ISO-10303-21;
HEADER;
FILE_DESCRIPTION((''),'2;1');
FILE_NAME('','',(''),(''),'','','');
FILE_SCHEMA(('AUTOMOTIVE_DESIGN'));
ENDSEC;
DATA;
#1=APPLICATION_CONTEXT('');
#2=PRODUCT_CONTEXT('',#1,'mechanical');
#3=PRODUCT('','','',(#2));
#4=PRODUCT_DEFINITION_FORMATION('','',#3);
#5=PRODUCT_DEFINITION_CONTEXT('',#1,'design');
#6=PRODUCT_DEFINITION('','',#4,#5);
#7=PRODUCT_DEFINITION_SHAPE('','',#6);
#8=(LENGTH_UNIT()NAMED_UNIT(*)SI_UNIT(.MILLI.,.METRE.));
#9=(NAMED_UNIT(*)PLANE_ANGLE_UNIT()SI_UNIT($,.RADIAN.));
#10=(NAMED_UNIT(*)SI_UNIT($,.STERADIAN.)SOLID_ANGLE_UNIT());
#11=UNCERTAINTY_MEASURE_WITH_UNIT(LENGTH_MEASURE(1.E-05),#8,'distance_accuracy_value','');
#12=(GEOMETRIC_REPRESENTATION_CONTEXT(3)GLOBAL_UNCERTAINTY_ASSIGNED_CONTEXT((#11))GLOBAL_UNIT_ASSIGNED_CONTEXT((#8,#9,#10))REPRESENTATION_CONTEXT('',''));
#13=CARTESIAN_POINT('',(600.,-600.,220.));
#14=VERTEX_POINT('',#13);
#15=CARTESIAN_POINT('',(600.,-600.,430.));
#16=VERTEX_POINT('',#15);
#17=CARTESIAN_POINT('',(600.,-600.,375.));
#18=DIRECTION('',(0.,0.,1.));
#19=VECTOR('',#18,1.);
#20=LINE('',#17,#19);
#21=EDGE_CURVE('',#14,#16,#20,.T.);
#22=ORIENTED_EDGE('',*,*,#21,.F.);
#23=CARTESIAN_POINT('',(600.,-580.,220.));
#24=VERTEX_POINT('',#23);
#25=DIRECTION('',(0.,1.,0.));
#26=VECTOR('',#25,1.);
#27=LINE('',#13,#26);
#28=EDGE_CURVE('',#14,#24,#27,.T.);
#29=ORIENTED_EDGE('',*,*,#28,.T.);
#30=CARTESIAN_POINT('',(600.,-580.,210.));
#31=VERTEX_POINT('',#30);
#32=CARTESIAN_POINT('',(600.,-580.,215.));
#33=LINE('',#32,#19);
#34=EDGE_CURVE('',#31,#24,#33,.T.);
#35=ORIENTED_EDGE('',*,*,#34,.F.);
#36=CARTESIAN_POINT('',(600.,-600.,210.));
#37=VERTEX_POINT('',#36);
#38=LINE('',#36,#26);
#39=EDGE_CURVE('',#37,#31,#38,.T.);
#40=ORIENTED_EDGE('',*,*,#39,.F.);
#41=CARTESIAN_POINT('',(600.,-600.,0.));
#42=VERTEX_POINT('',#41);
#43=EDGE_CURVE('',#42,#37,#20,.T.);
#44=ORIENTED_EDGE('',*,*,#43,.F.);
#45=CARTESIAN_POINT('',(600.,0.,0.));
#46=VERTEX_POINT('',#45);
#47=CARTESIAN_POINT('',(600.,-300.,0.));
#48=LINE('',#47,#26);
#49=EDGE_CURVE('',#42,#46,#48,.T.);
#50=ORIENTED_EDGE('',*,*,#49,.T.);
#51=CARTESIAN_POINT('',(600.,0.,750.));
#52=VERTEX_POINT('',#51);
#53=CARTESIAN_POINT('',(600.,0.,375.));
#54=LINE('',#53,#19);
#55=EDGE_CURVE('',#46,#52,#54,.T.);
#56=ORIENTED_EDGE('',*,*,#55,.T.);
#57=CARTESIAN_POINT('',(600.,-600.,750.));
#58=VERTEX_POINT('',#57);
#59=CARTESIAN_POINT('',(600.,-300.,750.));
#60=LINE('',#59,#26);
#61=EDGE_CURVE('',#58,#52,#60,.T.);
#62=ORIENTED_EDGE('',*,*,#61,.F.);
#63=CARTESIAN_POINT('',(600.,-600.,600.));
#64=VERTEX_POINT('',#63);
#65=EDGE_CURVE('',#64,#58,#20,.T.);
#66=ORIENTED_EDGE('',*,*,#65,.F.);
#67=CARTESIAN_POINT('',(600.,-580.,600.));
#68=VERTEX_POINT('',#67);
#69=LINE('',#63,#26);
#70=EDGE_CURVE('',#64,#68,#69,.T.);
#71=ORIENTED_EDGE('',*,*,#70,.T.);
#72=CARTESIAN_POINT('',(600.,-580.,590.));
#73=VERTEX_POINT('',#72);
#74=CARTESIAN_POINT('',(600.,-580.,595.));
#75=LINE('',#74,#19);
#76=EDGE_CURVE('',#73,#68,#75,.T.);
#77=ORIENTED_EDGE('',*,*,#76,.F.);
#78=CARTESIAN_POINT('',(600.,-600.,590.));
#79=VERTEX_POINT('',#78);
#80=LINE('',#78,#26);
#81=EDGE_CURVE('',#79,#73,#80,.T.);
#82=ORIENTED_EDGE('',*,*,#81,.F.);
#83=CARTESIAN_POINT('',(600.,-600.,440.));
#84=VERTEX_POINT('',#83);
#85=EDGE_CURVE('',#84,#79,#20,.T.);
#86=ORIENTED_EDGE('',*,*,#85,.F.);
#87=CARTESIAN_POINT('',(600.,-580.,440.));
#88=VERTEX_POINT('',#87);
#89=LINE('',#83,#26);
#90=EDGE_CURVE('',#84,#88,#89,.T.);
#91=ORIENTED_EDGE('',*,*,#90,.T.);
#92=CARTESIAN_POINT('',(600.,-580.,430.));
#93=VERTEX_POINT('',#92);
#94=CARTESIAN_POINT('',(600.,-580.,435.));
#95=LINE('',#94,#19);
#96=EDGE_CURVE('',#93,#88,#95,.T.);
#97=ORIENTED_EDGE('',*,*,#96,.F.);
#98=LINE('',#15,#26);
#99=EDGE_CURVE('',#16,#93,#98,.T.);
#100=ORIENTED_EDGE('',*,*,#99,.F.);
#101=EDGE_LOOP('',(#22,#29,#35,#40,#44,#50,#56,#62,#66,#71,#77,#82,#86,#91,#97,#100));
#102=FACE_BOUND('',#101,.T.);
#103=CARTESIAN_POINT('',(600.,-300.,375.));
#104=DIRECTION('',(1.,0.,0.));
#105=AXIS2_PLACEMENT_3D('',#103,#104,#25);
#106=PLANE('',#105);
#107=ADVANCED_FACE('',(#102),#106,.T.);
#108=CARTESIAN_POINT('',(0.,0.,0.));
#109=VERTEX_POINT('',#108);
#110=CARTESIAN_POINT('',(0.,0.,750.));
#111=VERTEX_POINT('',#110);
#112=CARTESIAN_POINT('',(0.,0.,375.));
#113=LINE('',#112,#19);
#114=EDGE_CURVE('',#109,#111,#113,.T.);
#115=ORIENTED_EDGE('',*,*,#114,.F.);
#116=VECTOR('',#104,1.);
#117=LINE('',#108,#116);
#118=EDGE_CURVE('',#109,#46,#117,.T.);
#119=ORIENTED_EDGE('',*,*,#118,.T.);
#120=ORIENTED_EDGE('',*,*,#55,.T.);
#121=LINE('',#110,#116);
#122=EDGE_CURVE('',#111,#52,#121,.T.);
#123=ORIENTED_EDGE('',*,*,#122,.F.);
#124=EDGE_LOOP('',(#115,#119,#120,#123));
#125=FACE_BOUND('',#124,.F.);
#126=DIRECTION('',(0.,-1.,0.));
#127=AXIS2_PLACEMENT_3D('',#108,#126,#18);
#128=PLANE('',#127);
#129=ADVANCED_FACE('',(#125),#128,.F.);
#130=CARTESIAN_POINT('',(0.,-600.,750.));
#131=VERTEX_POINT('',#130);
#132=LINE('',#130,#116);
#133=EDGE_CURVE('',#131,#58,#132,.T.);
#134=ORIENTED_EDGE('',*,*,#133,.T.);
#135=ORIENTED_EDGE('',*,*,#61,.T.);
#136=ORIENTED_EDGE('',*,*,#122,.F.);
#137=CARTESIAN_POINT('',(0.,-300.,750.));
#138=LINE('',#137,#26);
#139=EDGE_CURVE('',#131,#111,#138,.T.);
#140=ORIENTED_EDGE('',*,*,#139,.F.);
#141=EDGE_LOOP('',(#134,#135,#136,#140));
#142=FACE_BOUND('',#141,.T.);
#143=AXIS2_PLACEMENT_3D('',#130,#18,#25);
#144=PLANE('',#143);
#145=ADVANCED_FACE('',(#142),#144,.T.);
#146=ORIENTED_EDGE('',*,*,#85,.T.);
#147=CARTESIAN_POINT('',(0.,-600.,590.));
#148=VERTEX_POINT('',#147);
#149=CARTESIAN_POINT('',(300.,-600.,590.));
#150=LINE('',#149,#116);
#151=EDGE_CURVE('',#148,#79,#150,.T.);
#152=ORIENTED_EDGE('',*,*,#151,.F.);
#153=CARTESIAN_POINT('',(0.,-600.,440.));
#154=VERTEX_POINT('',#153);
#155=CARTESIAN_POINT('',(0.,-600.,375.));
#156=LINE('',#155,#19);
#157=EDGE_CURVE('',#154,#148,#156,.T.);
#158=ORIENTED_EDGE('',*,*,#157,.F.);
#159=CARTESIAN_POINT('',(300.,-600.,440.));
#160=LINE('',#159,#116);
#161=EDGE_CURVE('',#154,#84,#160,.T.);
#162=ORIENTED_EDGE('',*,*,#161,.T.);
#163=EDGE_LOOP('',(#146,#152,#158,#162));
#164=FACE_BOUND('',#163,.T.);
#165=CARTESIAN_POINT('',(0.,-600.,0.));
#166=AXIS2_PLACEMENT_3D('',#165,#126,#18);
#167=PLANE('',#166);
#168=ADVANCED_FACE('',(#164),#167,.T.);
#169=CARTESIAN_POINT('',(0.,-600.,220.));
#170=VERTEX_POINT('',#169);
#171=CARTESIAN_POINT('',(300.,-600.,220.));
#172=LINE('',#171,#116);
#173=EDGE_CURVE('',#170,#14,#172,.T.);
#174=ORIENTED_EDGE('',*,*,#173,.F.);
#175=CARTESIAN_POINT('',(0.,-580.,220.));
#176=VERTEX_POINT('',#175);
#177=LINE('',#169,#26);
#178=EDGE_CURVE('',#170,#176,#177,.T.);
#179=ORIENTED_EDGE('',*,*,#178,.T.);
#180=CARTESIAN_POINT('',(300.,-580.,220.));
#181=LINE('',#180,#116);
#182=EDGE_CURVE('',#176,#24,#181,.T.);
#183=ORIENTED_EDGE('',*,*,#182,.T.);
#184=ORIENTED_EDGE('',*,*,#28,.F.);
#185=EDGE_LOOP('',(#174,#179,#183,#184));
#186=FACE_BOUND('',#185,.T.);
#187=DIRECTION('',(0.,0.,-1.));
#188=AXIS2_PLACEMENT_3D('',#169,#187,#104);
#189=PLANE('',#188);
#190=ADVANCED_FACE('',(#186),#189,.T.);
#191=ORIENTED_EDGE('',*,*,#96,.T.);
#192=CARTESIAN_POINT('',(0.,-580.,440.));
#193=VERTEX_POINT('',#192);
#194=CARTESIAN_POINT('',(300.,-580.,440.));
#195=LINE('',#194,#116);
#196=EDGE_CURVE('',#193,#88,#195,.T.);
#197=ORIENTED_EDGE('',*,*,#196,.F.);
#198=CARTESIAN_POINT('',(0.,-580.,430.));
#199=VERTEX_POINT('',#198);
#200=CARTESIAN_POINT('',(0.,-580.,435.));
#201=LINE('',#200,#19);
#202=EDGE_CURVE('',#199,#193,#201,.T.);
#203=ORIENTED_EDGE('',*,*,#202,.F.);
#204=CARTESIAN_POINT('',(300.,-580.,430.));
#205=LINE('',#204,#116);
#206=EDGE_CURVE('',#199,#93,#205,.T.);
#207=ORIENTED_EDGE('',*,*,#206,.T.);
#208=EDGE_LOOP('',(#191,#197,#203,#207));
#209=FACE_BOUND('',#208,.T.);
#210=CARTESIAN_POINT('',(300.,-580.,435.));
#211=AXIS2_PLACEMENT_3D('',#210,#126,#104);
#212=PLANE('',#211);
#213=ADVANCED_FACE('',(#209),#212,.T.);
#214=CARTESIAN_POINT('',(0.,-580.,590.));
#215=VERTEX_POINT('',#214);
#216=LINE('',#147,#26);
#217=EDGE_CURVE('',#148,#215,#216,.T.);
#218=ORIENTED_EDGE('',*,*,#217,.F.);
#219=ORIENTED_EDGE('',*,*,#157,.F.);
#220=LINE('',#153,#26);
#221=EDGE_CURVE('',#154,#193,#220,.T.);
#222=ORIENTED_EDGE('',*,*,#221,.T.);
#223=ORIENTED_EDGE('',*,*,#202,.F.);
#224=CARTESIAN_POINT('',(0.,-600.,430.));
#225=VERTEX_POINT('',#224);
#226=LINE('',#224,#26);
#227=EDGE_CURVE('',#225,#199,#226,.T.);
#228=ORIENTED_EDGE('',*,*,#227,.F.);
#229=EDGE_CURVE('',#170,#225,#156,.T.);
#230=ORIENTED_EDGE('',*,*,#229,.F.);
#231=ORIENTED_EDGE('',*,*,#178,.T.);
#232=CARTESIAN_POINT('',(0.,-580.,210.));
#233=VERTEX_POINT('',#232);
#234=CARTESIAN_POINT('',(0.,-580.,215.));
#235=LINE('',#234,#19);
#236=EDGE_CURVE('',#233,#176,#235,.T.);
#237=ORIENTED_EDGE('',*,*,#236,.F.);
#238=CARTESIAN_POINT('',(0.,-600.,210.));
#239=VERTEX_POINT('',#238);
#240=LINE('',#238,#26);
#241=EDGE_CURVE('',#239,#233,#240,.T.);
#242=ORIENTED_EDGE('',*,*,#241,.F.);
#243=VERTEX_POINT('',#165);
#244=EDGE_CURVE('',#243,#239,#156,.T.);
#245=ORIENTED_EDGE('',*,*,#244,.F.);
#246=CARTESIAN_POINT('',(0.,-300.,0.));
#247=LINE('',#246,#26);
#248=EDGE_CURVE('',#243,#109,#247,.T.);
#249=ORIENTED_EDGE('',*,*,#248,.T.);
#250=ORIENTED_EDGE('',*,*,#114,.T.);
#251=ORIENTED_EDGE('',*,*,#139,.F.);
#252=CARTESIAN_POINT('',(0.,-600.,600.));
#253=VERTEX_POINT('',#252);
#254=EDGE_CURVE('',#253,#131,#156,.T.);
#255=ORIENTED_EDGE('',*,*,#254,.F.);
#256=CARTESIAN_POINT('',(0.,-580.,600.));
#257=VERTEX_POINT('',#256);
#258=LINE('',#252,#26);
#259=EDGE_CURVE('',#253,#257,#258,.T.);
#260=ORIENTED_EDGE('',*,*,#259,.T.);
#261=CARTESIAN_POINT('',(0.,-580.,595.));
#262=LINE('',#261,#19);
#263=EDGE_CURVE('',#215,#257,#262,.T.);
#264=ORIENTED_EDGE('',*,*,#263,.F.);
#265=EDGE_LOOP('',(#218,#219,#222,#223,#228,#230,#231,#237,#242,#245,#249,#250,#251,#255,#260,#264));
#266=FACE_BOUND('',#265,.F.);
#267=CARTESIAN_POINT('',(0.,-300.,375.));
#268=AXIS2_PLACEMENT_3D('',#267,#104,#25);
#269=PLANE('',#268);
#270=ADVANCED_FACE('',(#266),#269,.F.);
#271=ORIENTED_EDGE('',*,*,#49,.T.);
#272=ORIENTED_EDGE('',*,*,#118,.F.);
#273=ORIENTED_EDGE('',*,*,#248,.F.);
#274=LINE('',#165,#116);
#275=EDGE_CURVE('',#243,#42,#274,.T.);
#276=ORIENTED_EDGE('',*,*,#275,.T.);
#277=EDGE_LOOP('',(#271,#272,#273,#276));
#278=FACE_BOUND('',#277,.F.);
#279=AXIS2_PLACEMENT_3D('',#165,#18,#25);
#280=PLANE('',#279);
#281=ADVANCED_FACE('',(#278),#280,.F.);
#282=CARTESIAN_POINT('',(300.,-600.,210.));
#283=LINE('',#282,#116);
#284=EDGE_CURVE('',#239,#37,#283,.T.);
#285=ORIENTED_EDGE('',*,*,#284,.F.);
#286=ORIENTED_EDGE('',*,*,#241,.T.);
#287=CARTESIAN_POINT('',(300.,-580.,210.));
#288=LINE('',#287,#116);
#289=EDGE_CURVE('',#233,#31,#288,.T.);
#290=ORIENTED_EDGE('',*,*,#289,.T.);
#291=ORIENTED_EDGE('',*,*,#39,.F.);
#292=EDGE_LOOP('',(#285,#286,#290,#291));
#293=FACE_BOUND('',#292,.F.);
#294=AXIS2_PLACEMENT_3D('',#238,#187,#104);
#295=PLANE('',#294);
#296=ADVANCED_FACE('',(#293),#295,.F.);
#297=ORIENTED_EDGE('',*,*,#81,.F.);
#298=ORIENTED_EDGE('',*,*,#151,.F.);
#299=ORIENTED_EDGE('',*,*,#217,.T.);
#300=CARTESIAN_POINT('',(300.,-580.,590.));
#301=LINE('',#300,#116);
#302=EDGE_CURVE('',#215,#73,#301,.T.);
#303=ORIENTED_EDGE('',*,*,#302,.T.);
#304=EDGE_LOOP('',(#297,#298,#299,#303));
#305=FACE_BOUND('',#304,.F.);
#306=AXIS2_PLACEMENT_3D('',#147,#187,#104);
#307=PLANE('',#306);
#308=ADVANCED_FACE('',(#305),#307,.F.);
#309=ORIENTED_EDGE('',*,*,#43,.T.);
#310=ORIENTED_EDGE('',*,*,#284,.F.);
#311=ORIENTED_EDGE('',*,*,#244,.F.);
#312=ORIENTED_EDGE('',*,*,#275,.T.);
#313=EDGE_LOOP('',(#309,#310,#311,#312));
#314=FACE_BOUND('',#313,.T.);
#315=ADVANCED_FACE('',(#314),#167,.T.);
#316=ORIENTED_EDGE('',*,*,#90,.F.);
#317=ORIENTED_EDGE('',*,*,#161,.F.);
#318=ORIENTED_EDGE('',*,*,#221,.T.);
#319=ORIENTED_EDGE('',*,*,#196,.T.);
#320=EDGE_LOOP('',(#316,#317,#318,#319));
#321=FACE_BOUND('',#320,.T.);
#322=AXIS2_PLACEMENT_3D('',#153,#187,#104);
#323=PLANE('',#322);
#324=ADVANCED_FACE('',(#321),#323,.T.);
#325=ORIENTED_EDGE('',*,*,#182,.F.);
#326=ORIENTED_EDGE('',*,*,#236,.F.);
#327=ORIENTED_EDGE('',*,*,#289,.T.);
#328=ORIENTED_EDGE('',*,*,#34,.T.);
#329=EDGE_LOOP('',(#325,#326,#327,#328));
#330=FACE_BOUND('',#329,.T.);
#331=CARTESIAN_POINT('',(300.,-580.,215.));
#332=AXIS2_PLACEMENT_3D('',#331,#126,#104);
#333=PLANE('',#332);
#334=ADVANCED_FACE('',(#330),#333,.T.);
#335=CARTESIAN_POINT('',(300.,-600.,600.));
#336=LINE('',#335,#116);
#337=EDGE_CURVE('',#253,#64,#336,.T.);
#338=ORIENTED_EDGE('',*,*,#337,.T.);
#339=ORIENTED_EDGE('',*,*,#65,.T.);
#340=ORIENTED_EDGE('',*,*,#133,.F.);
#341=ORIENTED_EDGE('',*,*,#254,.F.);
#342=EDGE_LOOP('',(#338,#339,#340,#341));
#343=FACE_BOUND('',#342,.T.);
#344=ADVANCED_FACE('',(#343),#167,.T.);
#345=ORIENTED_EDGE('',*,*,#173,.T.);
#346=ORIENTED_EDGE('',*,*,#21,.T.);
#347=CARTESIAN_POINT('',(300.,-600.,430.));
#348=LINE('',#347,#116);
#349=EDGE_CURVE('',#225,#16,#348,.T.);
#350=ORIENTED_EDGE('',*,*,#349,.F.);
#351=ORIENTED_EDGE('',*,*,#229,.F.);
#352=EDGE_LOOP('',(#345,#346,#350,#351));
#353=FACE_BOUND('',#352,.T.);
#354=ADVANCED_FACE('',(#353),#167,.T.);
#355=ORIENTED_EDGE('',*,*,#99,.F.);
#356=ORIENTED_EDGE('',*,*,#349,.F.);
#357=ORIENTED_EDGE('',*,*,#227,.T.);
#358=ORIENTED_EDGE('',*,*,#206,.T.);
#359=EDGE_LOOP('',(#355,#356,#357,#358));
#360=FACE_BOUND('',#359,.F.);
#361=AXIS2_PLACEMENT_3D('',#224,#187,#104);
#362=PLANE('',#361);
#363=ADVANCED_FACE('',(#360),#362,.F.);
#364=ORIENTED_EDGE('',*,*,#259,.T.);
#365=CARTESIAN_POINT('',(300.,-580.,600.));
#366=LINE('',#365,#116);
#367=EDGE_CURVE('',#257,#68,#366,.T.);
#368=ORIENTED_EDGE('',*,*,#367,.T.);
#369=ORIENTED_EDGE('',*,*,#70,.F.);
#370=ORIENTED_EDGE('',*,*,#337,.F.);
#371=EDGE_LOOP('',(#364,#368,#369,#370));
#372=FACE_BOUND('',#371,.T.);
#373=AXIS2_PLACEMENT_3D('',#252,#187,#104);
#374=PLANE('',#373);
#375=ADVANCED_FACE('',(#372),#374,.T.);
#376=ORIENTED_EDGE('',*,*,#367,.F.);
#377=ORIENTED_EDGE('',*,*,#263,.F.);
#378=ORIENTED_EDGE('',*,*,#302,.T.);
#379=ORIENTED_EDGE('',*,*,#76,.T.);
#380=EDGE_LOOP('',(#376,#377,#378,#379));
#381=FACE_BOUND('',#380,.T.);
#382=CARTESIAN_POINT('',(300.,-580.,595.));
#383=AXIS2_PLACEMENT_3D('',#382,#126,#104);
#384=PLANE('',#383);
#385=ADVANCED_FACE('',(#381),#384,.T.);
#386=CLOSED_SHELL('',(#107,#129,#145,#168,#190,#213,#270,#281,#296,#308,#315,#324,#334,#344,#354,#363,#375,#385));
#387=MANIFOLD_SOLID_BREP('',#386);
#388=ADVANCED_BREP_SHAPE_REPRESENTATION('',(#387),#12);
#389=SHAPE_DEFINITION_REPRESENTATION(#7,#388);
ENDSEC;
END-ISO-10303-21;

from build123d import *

# Parameters (mm, degrees)
F0_W     = 600
F0_H     = 750
F1_DEPTH = 600
F2_W     = 600
F2_H     = 10
F3_DEPTH = 20


with BuildPart() as f1:
    # F0 (on Right) → F1 (new body)
    with BuildSketch(Plane.YZ):
        with Locations((-300, 375)):
            Rectangle(F0_W, F0_H)
    extrude(amount=F1_DEPTH)

    # F2 (on face) → F3 (cut)
    with BuildSketch(Plane.XZ.offset(600)):
        with Locations((300, 595)):
            Rectangle(F2_W, F2_H)
        with Locations((300, 435)):
            Rectangle(F2_W, F2_H)
        with Locations((300, 215)):
            Rectangle(F2_W, F2_H)
    extrude(amount=-F3_DEPTH, mode=Mode.SUBTRACT)


solid = f1.part
